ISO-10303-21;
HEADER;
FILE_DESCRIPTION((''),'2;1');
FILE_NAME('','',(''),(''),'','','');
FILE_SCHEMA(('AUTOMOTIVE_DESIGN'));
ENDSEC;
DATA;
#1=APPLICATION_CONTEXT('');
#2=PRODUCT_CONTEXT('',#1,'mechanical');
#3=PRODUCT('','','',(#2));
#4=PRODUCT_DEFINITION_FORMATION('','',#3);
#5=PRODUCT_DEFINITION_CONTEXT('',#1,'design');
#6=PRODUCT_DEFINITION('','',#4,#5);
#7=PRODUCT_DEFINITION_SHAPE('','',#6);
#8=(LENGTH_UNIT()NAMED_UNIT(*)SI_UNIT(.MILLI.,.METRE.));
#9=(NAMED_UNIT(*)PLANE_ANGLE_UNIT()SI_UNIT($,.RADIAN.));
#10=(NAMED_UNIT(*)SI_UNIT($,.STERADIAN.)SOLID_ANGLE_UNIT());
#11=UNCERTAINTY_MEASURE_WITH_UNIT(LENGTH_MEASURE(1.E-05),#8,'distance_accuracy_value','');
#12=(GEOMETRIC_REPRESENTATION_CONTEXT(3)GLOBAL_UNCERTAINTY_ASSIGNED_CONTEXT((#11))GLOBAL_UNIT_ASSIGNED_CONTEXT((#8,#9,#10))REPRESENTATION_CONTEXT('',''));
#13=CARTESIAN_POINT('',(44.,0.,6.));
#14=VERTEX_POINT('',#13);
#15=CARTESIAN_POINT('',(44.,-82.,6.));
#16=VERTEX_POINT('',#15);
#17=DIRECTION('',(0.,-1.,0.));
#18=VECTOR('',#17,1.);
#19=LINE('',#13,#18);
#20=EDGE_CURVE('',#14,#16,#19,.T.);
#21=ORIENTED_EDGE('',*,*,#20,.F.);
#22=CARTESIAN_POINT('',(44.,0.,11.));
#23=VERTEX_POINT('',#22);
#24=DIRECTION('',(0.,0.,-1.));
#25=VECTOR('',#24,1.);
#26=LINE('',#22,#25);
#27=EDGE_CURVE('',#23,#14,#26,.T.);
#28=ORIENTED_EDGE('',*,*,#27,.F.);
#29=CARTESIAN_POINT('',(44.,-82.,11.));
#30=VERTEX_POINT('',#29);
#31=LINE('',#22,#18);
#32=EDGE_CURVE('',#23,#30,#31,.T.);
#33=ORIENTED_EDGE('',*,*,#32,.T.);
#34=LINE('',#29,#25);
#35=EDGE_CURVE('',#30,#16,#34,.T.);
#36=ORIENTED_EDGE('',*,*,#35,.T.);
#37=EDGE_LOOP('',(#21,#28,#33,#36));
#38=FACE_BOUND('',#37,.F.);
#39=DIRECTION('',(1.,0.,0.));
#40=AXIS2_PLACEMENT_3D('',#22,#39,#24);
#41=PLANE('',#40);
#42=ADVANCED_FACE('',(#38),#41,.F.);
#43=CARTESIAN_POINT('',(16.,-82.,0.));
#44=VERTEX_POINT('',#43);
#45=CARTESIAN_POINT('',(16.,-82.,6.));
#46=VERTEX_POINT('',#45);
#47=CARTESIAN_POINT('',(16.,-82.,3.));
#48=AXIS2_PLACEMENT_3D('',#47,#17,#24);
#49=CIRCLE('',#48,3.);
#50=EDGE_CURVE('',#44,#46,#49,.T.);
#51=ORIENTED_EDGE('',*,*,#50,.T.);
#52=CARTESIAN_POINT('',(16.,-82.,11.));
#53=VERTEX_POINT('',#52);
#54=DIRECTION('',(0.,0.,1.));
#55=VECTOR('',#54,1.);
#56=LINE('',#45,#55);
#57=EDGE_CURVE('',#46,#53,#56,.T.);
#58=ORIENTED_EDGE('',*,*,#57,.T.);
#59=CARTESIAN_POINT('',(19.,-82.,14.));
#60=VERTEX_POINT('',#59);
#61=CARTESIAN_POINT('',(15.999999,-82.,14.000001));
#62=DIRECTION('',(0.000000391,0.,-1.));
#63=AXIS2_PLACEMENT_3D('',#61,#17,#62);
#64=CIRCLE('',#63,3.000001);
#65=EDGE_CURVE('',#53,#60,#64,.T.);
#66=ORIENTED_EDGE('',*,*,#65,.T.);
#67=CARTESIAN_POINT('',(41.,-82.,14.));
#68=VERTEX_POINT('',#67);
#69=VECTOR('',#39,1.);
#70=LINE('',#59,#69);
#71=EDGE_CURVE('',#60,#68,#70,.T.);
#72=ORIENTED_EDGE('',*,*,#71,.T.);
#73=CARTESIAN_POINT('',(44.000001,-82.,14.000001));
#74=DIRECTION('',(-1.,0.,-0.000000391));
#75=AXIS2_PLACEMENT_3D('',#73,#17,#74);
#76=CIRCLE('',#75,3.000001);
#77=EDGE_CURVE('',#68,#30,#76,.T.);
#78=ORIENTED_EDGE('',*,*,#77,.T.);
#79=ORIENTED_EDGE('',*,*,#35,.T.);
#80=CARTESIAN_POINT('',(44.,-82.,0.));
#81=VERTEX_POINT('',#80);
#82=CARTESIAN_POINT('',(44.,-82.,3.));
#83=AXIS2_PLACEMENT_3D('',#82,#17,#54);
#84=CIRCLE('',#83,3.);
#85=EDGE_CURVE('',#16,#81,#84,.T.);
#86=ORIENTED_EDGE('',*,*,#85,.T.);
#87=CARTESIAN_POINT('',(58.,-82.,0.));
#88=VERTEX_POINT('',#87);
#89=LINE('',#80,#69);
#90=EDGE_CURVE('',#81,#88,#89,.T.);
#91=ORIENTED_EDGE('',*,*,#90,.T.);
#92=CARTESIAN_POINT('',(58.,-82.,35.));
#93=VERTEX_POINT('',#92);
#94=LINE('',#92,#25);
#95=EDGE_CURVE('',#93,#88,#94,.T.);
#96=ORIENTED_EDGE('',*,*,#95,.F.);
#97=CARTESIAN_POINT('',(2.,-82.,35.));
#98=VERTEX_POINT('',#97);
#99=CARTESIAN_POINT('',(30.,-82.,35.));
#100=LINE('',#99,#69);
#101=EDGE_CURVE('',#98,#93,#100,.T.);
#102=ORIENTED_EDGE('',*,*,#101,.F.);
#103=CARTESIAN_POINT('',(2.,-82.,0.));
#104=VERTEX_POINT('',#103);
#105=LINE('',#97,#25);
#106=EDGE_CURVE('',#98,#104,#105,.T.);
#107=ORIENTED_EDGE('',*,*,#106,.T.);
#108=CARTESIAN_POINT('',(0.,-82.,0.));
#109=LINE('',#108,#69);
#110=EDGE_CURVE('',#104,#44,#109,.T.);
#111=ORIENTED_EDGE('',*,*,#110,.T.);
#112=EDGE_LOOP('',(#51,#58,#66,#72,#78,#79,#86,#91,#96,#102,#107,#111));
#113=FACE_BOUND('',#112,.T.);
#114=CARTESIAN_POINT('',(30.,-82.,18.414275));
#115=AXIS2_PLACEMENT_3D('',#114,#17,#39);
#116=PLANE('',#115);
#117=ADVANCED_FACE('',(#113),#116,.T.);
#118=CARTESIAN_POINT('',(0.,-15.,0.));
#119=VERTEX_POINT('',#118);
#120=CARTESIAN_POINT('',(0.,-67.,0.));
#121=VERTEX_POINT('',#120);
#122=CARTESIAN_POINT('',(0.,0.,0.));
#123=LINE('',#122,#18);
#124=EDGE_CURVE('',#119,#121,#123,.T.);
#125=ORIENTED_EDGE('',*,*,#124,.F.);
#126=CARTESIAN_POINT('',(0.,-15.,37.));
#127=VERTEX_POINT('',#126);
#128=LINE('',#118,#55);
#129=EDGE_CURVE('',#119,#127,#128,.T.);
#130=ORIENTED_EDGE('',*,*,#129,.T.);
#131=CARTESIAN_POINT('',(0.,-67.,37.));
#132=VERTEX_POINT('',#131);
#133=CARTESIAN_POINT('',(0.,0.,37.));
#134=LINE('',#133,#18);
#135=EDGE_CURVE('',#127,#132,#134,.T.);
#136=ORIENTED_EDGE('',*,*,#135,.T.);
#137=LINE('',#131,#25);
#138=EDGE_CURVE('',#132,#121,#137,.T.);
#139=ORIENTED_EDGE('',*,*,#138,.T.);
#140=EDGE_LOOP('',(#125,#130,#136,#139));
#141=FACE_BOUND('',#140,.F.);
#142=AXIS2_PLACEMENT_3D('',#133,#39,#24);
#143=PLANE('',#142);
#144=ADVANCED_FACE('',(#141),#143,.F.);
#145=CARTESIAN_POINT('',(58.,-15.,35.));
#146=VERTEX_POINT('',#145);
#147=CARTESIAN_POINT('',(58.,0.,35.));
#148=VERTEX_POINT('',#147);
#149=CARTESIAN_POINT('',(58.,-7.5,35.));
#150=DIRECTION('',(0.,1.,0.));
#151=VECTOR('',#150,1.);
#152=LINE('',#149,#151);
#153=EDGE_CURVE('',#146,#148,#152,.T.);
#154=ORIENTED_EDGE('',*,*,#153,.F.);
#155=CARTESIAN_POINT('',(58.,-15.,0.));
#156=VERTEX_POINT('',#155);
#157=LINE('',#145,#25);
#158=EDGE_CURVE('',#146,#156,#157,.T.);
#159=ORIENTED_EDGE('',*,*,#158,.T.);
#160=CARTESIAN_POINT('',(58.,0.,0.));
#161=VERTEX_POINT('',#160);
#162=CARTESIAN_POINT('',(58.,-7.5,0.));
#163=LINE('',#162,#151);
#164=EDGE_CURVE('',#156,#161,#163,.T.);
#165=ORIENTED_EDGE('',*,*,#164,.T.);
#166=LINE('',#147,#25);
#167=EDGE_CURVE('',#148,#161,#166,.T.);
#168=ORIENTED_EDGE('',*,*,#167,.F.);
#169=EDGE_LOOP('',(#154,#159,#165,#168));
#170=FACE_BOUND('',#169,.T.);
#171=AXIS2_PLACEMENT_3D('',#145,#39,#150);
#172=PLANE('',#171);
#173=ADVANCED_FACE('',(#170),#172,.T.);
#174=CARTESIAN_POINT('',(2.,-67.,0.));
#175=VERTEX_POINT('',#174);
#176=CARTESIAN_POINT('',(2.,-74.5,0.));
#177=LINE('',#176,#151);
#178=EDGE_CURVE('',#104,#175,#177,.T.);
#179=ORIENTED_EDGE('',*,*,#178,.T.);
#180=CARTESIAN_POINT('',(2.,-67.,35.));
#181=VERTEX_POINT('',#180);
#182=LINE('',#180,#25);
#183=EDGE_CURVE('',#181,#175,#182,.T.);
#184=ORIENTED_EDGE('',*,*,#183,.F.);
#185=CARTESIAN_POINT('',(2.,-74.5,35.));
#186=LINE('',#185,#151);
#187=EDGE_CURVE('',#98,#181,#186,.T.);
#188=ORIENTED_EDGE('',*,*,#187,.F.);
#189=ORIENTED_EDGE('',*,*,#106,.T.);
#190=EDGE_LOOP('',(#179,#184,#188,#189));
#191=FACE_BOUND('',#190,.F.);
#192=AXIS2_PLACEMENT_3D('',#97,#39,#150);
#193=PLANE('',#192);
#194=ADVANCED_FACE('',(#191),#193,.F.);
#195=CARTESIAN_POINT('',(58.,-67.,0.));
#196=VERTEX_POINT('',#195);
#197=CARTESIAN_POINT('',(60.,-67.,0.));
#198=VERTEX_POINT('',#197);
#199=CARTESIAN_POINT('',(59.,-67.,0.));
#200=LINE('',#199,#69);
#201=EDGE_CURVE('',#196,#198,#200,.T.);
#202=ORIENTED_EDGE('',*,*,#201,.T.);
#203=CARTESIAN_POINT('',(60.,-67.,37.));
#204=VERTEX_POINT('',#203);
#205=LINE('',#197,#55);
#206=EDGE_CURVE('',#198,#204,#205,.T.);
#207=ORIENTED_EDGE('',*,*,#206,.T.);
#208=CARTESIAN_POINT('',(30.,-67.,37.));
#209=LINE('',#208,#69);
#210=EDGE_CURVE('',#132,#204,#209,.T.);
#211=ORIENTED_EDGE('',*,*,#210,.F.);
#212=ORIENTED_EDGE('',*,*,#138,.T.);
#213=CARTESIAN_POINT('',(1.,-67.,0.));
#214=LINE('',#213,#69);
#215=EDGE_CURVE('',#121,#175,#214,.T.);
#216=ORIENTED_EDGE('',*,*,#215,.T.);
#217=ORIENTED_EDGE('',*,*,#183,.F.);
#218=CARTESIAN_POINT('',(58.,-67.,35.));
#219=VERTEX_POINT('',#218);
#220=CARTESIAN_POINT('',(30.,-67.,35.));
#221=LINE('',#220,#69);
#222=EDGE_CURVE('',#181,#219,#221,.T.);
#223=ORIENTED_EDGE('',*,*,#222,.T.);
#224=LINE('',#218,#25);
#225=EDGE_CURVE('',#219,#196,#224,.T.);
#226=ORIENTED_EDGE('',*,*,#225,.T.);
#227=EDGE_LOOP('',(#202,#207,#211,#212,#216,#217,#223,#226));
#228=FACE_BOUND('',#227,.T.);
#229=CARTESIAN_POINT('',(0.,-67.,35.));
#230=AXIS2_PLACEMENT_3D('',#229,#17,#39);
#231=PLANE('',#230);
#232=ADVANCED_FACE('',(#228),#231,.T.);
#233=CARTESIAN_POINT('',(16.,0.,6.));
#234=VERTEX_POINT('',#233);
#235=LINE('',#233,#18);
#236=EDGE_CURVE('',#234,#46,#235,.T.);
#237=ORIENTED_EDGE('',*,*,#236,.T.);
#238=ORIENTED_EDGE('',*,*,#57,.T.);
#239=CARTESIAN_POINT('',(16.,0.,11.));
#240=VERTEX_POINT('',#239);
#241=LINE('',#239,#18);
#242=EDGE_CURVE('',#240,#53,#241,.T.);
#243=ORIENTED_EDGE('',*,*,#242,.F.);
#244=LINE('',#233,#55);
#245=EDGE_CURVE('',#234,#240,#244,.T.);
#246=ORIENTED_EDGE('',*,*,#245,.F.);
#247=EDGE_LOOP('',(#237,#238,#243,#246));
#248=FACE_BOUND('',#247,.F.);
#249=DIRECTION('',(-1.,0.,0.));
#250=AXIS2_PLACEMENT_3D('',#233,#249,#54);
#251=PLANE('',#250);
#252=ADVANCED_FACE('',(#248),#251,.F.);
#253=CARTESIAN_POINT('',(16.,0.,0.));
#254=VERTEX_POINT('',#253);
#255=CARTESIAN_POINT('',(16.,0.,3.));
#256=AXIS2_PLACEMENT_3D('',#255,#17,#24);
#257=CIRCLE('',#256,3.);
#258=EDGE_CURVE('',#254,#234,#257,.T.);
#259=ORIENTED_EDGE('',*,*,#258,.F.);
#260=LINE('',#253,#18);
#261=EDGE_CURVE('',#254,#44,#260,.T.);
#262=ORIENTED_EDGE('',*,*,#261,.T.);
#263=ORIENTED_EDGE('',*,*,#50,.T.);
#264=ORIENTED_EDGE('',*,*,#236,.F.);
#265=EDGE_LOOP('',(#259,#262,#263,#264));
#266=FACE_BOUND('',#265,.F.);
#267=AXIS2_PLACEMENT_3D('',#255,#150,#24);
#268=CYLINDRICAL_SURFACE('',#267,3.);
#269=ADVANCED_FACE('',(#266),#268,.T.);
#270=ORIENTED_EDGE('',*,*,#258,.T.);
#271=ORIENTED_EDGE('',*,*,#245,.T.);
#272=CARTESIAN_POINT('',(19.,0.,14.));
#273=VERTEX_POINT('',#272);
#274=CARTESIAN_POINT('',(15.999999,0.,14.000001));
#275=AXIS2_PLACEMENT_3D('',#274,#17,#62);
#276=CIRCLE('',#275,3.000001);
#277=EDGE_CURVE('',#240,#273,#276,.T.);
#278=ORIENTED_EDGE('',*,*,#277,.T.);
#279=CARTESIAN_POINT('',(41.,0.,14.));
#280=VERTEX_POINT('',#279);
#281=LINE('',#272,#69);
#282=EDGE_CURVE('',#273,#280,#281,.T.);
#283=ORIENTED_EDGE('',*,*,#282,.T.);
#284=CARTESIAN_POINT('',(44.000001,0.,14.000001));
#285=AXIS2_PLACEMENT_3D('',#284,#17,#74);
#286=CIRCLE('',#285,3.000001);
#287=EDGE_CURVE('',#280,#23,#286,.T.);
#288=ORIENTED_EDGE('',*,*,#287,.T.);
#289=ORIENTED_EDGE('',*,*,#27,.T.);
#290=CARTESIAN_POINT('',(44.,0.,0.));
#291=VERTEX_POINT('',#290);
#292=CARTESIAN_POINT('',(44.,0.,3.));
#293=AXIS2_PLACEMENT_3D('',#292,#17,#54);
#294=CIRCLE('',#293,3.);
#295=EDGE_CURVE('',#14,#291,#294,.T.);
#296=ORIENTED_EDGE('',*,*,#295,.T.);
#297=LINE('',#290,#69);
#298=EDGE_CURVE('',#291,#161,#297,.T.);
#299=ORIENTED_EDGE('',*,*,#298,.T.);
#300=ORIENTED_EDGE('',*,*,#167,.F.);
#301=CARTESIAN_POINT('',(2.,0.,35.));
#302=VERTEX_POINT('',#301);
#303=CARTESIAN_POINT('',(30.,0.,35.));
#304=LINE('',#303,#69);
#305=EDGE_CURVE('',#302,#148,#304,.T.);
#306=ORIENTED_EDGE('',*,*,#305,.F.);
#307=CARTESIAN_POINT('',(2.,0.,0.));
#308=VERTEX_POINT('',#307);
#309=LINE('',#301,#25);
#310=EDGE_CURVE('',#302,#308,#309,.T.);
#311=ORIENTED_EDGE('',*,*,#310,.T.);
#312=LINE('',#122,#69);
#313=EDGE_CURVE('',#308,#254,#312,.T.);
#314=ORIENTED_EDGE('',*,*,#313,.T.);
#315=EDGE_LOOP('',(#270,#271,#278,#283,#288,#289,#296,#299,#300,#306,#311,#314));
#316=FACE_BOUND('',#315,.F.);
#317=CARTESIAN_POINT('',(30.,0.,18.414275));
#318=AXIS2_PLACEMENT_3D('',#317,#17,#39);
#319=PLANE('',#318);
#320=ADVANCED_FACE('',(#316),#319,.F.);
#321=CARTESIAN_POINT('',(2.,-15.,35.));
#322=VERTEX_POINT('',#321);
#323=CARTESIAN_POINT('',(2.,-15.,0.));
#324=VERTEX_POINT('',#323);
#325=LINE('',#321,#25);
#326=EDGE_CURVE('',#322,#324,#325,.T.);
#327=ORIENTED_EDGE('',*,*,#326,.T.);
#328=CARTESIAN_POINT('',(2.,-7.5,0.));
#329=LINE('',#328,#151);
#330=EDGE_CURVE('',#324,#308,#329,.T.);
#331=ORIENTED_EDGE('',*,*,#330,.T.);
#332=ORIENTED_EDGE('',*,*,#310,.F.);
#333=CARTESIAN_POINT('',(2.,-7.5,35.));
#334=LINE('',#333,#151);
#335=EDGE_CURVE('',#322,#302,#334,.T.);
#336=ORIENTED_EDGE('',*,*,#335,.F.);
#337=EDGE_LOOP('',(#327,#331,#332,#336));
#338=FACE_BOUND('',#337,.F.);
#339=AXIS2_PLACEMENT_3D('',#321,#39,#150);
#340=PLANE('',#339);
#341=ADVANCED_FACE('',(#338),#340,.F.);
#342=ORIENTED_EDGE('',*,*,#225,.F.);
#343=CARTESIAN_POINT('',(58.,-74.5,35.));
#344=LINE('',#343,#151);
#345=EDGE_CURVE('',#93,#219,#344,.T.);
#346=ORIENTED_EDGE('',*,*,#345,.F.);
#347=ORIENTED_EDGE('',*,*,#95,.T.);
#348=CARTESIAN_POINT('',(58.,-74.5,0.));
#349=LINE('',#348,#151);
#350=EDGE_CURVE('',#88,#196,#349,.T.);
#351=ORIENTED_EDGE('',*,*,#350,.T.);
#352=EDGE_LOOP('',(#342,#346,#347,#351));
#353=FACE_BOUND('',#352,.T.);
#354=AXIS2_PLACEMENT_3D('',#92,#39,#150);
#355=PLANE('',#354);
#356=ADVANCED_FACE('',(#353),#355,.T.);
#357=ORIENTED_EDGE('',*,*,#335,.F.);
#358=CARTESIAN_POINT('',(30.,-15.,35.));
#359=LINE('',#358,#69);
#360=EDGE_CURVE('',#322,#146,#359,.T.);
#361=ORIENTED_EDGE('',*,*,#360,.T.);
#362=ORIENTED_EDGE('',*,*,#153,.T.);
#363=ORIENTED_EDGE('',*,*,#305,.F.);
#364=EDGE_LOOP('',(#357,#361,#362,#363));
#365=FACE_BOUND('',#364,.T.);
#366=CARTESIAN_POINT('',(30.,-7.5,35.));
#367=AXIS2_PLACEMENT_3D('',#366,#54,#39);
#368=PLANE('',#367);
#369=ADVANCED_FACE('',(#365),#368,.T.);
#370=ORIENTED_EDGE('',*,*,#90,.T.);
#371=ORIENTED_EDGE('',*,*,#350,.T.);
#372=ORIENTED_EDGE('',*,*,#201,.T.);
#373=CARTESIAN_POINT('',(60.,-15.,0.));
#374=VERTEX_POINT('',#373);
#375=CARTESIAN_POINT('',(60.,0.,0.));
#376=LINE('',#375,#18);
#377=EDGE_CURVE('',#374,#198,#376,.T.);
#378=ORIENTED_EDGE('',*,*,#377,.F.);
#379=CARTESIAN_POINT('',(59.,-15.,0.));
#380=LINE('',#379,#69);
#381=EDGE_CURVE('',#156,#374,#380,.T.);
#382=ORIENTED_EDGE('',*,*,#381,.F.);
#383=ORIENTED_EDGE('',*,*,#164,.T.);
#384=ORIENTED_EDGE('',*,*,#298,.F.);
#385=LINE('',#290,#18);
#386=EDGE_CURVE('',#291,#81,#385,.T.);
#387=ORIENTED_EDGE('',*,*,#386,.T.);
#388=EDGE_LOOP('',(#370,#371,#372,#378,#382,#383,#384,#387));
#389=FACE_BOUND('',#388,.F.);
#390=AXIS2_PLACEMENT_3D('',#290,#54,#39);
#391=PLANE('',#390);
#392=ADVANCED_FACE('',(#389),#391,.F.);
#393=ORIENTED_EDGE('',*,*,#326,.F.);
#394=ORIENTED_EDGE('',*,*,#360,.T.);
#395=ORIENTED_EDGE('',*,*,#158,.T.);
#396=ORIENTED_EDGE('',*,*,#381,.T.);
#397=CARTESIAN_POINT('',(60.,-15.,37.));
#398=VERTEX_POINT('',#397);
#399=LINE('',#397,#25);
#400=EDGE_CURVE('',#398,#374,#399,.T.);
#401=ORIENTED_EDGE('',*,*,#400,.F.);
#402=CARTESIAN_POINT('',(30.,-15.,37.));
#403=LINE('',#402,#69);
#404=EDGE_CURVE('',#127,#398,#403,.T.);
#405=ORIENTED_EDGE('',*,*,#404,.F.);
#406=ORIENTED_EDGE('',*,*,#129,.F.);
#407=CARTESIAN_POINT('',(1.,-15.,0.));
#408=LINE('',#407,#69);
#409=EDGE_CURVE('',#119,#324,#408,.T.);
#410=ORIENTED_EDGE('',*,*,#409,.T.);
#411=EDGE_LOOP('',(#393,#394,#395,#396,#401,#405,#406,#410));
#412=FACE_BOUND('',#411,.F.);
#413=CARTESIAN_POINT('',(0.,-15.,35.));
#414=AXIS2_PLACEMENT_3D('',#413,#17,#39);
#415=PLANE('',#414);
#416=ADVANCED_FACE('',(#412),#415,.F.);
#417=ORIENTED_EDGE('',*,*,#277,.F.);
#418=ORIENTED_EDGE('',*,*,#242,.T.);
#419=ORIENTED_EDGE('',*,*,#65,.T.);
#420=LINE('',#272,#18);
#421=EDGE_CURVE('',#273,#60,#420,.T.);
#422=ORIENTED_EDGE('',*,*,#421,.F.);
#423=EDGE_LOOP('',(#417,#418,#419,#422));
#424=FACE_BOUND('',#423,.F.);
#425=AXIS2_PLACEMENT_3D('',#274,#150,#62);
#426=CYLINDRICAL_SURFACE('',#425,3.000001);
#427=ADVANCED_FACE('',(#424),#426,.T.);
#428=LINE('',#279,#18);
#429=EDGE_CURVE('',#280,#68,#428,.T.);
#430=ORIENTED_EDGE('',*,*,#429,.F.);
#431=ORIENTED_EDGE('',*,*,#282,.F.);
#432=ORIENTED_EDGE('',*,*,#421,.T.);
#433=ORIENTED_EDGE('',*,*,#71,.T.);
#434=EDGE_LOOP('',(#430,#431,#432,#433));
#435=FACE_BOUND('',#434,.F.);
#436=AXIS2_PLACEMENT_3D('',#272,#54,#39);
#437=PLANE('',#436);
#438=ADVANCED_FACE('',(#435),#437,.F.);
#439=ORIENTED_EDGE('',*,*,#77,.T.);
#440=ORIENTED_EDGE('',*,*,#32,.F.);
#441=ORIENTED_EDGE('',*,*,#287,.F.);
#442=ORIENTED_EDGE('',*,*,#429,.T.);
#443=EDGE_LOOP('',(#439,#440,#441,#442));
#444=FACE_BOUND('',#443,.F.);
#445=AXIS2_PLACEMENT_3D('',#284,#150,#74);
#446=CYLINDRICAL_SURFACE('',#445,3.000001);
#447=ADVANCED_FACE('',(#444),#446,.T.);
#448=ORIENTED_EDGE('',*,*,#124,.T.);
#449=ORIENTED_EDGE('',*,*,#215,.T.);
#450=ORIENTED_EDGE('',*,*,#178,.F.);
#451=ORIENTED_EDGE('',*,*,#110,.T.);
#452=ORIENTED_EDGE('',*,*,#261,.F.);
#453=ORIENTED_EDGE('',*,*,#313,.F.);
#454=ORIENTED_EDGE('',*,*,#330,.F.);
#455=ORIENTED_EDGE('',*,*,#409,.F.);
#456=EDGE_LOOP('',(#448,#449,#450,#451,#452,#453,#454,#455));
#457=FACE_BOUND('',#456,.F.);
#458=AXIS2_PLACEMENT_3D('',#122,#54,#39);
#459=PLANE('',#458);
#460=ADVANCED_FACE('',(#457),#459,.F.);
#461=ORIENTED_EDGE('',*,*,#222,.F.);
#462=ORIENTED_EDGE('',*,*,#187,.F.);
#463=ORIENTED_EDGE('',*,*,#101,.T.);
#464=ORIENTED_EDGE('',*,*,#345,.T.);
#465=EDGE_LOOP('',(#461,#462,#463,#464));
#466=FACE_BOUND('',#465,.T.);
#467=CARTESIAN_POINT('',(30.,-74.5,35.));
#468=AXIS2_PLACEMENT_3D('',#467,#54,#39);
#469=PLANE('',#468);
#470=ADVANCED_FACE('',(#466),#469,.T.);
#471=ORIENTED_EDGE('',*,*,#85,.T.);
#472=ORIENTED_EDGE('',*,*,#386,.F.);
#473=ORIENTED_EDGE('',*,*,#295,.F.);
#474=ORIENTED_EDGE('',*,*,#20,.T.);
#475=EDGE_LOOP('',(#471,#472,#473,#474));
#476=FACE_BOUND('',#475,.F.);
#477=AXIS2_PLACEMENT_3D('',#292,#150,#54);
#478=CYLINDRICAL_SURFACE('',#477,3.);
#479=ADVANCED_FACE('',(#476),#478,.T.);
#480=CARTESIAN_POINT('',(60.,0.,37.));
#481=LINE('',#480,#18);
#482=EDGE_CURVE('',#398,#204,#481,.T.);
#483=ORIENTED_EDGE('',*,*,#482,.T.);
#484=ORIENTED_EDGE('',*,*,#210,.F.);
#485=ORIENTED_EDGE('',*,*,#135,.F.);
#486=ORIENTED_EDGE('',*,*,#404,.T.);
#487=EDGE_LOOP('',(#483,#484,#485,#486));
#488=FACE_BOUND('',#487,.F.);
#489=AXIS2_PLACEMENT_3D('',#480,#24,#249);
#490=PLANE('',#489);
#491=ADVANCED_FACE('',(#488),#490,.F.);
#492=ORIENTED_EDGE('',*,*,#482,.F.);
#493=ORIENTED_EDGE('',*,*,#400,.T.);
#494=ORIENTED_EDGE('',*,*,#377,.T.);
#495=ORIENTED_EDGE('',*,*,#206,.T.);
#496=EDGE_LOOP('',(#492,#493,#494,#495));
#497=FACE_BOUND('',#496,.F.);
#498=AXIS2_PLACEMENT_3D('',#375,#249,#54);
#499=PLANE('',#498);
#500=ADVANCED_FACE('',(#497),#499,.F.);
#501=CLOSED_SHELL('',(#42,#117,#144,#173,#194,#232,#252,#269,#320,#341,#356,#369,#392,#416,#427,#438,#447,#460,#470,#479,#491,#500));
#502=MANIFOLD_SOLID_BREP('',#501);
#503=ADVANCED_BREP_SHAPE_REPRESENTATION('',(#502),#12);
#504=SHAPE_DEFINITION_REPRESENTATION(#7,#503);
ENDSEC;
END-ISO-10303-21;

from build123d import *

# Parameters (mm, degrees)
F1_DEPTH = 82
F2_W     = 60
F2_H     = 15
F3_DEPTH = 2
F4_W     = 2
F4_H     = 15
F5_DEPTH = 35


with BuildPart() as f1:
    # F0 (on Front) → F1 (new body)
    with BuildSketch(Plane.XZ):
        with BuildLine():
            ThreePointArc((16, 11), (18.12132, 11.87868), (19, 14))
            Line((19, 14), (41, 14))
            ThreePointArc((41, 14), (41.87868, 11.87868), (44, 11))
            Line((44, 11), (44, 6))
            ThreePointArc((44, 6), (41, 3), (44, 0))
            Line((44, 0), (60, 0))
            Line((60, 0), (60, 37))
            Line((60, 37), (0, 37))
            Line((0, 37), (0, 0))
            Line((0, 0), (16, 0))
            ThreePointArc((16, 0), (19, 3), (16, 6))
            Line((16, 6), (16, 11))
        make_face()
    extrude(amount=F1_DEPTH)

    # F2 (on face) → F3 (cut)
    with BuildSketch(Plane.XY.offset(37)):
        with Locations((30, -7.5)):
            Rectangle(F2_W, F2_H)
        with Locations((30, -74.5)):
            Rectangle(F2_W, F2_H)
    extrude(amount=-F3_DEPTH, mode=Mode.SUBTRACT)

    # F4 (on face) → F5 (cut)
    with BuildSketch(Plane.XY.offset(35)):
        with Locations((1, -7.5)):
            Rectangle(F4_W, F4_H)
        with Locations((59, -7.5)):
            Rectangle(F4_W, F4_H)
        with Locations((1, -74.5)):
            Rectangle(F4_W, F4_H)
        with Locations((59, -74.5)):
            Rectangle(F4_W, F4_H)
    extrude(amount=-F5_DEPTH, mode=Mode.SUBTRACT)


solid = f1.part
